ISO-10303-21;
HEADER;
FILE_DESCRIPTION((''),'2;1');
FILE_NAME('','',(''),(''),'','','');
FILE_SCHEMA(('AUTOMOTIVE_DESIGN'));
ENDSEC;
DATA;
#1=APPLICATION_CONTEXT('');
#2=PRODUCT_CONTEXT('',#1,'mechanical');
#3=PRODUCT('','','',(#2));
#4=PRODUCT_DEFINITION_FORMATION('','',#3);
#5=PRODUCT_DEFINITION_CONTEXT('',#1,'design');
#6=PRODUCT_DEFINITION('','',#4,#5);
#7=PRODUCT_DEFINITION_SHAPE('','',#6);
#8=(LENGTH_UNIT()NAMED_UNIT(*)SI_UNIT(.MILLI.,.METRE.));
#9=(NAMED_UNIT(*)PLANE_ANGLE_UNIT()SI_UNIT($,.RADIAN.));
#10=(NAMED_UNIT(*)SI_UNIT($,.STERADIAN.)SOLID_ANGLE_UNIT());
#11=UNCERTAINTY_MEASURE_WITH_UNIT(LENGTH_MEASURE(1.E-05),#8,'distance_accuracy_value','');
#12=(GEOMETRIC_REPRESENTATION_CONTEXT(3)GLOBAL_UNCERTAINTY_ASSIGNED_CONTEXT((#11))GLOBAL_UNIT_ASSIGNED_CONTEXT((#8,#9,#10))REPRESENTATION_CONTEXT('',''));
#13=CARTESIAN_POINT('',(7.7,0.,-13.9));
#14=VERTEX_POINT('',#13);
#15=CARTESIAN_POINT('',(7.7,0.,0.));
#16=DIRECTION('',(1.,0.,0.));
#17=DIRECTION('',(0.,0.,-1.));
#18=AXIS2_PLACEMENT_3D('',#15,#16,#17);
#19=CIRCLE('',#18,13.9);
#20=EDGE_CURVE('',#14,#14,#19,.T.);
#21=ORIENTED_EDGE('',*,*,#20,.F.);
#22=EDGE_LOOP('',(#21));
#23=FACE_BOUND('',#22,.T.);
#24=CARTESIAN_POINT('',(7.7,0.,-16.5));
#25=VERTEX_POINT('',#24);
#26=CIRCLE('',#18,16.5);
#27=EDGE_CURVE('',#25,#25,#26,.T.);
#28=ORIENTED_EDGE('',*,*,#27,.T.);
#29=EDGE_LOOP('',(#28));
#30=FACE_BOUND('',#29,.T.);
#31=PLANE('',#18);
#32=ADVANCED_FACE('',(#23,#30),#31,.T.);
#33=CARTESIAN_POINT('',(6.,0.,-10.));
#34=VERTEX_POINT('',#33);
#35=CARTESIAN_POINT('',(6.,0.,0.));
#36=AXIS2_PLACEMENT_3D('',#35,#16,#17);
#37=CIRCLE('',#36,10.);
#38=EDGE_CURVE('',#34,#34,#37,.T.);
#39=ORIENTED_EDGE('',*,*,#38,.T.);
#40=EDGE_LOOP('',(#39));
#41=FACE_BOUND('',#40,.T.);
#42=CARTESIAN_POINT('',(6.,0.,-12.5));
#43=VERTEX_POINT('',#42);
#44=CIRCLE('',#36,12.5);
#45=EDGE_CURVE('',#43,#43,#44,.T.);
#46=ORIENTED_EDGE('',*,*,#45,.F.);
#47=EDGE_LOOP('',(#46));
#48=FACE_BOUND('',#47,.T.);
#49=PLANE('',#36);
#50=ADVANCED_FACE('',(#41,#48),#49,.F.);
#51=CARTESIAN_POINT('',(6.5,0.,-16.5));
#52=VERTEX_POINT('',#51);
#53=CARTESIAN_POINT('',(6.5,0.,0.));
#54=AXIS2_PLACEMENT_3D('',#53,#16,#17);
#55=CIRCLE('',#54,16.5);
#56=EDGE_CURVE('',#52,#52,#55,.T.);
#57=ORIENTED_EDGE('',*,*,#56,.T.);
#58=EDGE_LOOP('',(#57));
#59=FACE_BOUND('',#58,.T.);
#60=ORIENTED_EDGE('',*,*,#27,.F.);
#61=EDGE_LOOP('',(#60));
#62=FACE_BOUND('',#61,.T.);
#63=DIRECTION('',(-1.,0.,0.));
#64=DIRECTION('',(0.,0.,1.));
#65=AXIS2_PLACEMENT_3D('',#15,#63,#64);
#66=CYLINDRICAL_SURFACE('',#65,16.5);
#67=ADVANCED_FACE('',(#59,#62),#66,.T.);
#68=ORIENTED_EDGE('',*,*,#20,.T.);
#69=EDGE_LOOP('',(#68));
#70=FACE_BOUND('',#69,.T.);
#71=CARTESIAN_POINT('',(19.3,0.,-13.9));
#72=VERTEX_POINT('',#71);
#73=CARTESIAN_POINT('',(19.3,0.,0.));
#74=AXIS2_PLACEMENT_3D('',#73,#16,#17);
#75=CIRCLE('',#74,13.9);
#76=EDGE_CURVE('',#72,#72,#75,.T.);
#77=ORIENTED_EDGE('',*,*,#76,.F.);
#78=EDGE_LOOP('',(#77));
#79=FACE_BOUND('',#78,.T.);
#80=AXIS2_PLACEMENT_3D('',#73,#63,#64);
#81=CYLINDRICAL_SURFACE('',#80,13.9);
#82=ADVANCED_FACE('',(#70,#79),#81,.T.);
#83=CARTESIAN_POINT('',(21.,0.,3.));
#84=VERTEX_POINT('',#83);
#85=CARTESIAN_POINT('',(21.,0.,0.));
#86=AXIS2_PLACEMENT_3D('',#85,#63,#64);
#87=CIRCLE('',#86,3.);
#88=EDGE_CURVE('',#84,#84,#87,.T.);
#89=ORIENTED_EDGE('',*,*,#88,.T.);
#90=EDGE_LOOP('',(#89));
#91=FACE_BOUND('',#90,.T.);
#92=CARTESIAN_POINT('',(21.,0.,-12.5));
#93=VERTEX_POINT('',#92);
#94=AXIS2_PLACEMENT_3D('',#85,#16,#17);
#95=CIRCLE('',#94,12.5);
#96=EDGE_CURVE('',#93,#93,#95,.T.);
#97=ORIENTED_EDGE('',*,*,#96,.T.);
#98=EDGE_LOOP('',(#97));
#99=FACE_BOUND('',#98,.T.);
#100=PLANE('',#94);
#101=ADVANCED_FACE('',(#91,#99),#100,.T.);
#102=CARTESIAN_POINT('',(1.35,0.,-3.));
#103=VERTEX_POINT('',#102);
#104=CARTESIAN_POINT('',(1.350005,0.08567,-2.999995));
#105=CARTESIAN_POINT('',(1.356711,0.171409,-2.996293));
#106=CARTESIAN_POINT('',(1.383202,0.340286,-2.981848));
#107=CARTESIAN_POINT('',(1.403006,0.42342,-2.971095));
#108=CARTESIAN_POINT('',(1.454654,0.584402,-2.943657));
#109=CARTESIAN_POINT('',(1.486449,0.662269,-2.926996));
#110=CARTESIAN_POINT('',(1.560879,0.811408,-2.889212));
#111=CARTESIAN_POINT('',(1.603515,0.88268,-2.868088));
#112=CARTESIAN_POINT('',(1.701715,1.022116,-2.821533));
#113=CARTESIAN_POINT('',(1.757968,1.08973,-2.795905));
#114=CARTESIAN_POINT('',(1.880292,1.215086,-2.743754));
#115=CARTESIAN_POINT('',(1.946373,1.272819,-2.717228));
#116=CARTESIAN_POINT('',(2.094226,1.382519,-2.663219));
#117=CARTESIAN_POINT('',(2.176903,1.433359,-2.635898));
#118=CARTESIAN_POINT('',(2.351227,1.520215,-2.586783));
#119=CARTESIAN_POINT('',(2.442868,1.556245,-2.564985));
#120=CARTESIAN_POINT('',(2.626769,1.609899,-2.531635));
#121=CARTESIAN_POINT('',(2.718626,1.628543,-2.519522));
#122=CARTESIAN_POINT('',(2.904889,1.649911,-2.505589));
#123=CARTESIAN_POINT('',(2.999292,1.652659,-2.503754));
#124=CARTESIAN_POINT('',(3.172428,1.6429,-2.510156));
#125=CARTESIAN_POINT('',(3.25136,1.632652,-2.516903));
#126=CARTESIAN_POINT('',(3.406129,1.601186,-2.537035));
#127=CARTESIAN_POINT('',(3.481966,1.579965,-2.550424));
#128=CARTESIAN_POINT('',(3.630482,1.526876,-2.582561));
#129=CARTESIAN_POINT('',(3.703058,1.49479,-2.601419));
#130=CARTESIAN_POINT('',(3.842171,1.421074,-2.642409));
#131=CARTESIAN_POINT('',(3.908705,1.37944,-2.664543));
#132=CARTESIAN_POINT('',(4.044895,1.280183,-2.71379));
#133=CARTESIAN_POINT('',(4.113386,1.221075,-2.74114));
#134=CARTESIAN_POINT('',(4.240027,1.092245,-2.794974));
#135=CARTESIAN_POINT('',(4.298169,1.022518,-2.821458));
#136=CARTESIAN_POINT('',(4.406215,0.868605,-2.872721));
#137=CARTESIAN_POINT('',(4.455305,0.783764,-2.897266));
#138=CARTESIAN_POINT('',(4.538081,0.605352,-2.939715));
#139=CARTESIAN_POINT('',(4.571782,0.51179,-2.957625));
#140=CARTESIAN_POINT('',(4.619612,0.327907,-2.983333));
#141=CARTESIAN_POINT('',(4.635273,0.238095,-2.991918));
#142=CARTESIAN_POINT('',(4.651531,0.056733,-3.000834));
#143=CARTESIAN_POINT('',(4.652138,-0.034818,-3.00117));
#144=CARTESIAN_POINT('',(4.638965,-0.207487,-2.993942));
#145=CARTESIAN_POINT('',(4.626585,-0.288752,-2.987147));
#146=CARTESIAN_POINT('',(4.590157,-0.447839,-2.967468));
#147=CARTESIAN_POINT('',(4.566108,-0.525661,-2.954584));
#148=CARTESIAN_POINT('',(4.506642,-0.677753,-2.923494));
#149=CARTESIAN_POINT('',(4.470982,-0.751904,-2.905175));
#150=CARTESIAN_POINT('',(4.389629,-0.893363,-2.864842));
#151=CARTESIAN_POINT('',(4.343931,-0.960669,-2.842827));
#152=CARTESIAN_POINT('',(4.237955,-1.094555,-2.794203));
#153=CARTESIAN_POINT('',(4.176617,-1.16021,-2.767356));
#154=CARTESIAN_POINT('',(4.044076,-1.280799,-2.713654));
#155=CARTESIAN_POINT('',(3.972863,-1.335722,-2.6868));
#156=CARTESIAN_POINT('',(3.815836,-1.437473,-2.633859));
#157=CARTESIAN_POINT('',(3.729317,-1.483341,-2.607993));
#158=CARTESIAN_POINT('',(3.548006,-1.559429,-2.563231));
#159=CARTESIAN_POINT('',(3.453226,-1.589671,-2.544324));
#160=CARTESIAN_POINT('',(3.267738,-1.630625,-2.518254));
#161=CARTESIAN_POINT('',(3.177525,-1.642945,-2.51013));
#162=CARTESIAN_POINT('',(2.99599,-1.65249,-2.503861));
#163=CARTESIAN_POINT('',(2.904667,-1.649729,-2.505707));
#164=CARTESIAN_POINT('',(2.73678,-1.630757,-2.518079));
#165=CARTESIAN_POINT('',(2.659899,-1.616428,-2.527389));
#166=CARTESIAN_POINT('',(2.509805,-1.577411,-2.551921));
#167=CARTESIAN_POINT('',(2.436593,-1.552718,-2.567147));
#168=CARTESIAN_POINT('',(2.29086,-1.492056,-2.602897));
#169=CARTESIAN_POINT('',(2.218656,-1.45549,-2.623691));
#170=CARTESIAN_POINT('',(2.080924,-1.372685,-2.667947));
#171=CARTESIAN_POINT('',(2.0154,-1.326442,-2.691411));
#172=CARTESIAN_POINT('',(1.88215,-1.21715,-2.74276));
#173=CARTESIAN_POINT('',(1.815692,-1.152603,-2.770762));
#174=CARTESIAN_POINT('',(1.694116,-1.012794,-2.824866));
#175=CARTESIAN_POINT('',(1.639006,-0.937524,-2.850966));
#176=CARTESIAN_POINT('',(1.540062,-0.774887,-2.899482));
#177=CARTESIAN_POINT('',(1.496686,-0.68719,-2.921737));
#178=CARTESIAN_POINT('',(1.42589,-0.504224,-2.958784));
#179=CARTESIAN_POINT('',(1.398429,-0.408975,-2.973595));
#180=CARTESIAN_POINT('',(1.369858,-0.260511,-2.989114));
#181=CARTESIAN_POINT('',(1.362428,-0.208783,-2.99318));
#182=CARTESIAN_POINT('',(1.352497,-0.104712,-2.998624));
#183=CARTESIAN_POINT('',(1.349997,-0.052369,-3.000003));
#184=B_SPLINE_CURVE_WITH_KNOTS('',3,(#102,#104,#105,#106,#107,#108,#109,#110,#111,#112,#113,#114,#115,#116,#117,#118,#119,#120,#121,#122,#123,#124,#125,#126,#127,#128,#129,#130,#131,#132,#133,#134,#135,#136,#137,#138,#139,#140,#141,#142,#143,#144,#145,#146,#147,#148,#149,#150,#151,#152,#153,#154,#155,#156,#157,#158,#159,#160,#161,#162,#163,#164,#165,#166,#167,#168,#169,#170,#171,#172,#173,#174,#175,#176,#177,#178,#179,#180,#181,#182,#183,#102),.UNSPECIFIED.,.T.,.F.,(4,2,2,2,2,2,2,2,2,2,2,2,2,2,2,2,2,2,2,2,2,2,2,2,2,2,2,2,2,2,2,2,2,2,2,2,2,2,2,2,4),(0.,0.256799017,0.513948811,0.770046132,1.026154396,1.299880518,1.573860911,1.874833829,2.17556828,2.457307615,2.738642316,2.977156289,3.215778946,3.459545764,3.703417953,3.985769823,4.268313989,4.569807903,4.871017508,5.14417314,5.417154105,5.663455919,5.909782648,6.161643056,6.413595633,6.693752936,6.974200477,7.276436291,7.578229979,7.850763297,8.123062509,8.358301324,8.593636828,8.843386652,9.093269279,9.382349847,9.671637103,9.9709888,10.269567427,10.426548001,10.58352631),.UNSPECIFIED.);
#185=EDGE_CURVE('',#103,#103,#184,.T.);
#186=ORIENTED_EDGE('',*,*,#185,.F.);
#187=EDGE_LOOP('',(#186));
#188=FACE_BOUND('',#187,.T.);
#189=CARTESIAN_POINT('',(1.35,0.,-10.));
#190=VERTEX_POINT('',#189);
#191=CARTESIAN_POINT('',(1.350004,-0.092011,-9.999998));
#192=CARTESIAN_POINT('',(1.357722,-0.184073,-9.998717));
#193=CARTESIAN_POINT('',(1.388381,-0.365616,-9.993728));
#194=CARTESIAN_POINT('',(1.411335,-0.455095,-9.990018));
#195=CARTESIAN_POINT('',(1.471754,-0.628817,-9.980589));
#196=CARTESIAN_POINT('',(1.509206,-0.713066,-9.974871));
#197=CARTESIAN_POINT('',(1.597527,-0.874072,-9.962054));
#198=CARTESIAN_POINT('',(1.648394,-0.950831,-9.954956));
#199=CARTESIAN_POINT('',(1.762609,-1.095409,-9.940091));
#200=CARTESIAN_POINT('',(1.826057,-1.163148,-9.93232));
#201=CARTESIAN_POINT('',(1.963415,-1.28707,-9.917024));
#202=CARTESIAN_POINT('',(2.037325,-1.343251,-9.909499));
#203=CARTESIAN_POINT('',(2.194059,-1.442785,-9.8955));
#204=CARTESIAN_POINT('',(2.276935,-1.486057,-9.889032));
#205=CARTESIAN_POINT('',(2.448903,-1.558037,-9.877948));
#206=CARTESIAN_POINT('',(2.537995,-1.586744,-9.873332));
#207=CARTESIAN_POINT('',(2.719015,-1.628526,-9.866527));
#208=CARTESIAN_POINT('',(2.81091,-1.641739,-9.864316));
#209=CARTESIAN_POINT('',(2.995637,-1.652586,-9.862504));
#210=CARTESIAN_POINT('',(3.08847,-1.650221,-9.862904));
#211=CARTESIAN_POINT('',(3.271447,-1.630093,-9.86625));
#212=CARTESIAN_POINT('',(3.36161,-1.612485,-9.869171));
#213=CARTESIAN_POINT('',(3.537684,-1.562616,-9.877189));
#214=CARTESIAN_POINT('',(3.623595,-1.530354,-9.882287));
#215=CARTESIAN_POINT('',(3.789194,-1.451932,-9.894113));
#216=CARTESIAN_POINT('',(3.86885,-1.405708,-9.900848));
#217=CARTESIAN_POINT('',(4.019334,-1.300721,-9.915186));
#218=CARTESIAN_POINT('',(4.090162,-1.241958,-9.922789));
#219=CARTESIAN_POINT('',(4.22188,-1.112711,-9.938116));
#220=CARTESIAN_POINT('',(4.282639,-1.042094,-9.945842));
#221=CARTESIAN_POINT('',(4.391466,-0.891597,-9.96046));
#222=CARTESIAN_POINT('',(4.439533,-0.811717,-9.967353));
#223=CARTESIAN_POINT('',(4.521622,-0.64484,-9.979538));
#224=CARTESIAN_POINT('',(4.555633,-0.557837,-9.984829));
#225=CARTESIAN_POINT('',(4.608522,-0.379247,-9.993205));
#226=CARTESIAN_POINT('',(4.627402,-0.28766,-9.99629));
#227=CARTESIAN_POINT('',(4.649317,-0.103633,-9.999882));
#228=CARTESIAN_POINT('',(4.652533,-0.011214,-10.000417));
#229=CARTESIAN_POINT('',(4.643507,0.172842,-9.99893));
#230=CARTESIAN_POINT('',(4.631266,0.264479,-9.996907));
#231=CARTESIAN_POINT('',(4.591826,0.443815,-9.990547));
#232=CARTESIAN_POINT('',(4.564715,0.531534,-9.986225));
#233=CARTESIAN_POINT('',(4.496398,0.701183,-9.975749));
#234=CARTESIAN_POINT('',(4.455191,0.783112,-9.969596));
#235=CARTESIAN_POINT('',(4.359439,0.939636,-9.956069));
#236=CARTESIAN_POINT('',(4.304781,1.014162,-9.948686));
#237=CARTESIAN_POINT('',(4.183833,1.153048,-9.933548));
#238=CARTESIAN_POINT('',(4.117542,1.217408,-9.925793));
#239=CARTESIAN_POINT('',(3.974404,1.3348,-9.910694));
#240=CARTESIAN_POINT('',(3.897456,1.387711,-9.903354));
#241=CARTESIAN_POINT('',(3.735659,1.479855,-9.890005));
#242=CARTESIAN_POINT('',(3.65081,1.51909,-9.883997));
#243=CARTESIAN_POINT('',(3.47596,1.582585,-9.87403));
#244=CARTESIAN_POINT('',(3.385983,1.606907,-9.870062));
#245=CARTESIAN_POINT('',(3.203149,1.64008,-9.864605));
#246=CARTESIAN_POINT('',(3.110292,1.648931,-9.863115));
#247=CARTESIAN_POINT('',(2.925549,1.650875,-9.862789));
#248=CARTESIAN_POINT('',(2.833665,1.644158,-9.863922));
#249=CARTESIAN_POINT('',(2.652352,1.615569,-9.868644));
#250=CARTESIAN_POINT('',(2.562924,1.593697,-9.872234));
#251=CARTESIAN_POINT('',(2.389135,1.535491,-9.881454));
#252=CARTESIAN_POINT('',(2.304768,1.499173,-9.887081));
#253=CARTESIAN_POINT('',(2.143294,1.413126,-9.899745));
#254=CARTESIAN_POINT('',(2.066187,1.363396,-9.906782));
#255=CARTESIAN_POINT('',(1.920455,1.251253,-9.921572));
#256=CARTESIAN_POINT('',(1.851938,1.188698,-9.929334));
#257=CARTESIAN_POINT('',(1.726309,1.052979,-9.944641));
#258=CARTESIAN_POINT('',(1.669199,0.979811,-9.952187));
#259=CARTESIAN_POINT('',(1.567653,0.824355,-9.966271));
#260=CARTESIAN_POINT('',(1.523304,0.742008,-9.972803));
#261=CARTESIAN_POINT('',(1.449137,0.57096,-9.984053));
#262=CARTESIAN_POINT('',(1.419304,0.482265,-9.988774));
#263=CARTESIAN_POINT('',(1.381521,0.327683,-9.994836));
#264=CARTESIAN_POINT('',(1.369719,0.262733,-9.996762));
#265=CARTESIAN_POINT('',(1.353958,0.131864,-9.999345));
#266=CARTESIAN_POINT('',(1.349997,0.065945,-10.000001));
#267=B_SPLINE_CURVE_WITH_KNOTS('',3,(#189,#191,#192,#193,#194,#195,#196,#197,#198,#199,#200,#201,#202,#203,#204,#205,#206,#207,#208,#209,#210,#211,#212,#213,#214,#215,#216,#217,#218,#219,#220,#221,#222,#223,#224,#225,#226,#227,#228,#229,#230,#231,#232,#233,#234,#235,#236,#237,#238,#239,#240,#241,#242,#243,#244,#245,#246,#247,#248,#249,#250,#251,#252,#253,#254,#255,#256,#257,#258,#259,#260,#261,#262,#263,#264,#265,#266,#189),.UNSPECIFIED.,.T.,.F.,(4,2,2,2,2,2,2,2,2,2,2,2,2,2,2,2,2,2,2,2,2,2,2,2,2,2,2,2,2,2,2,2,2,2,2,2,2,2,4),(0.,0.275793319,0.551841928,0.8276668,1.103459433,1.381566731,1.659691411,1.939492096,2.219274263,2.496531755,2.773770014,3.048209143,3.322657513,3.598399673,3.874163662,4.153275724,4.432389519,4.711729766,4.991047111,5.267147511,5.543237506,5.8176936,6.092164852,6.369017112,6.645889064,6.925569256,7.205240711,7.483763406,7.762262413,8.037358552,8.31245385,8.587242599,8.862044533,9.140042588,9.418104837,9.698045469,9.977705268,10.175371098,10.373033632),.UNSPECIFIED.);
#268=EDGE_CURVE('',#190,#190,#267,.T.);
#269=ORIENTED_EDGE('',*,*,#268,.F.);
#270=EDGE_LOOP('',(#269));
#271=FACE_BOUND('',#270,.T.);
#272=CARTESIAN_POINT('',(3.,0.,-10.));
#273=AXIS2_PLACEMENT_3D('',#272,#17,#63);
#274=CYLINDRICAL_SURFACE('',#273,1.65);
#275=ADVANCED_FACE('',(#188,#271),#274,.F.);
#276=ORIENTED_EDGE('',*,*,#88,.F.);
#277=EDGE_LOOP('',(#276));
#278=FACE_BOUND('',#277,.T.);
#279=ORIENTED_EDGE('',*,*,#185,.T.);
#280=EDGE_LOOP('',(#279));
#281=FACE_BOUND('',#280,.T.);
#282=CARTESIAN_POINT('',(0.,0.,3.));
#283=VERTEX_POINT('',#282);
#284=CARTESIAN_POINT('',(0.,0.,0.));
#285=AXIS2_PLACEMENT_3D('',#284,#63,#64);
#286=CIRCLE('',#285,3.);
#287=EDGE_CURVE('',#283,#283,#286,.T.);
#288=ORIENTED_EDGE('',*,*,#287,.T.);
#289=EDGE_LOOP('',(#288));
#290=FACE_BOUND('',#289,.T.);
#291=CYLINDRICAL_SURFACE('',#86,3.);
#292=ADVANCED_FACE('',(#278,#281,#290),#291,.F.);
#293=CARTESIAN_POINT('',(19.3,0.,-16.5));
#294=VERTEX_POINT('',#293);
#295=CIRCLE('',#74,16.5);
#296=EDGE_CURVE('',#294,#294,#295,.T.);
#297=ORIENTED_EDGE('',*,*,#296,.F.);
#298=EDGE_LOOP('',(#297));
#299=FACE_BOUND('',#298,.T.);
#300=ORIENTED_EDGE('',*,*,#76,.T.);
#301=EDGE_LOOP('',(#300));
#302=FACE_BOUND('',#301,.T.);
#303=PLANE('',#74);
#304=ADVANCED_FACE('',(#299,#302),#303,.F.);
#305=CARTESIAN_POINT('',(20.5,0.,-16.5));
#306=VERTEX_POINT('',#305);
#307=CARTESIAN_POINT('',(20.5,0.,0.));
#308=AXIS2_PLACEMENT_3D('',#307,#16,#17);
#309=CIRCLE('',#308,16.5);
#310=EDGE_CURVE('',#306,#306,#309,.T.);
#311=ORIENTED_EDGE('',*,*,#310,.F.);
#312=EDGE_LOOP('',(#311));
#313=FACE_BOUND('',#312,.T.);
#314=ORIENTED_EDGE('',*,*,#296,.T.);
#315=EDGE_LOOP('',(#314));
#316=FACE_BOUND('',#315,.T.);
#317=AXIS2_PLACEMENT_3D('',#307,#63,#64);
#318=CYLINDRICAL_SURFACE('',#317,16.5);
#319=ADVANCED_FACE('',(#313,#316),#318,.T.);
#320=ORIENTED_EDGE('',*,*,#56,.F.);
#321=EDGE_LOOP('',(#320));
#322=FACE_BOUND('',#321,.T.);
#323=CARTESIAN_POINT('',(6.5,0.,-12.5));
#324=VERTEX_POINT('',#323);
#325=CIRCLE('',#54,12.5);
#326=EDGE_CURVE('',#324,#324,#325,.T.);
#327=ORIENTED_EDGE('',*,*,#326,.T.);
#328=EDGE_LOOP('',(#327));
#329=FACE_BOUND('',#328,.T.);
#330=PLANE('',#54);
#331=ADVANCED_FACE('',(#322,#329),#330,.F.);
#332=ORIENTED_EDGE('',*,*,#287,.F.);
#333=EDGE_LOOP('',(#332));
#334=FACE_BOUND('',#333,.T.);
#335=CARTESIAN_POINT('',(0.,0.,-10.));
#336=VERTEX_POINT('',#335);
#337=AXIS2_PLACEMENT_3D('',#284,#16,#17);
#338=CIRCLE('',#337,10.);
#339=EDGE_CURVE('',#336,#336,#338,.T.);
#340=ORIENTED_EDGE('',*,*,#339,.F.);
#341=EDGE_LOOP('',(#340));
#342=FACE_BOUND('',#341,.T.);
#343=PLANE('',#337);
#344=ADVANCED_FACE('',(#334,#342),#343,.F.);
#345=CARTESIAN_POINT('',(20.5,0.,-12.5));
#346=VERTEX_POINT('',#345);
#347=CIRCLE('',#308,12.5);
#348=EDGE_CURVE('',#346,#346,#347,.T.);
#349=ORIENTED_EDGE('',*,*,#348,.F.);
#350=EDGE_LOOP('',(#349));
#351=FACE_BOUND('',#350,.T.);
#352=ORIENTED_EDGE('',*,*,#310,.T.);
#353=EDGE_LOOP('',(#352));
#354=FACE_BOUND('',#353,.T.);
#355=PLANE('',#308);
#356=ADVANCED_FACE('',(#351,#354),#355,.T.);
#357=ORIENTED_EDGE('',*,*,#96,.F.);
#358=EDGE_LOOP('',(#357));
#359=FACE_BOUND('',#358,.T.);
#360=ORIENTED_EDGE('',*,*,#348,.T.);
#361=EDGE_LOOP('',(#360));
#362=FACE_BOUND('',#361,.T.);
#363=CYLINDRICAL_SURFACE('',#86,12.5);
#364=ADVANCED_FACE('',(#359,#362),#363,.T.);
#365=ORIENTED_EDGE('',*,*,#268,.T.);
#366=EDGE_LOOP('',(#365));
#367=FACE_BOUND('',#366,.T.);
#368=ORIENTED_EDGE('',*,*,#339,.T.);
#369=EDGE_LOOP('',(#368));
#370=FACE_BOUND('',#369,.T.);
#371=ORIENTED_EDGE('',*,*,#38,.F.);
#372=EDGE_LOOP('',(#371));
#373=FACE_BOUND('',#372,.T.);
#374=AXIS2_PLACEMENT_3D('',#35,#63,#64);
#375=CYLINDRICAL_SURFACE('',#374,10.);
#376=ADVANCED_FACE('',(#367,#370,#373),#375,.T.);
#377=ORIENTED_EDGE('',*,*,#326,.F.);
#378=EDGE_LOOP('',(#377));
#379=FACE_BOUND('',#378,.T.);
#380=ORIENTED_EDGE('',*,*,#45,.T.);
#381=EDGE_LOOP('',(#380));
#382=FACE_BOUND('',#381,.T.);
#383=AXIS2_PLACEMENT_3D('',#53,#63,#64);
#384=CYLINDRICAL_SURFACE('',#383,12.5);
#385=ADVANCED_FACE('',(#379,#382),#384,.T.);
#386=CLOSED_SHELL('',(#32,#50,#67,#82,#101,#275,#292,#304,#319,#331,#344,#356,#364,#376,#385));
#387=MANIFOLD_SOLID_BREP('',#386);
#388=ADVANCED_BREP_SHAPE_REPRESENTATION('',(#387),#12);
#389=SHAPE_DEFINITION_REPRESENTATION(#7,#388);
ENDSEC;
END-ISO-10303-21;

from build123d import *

# Parameters (mm, degrees)
CROQUIS1_R                = 10
SALIENTE_EXTRUIR1_DEPTH   = 6
CROQUIS2_R                = 12.5
SALIENTE_EXTRUIR2_DEPTH   = 0.5
CROQUIS3_R                = 16.5
SALIENTE_EXTRUIR3_DEPTH   = 1.2
CROQUIS4_R                = 13.9
SALIENTE_EXTRUIR4_DEPTH   = 11.6
CROQUIS5_R                = 16.5
SALIENTE_EXTRUIR5_DEPTH   = 1.2
CROQUIS6_R                = 12.5
SALIENTE_EXTRUIR6_DEPTH   = 0.5
CROQUIS7_R                = 3
CORTAR_EXTRUIR1_DEPTH     = 32.392674305
TALADRO_ROSCADO_M41_D     = 3.3
TALADRO_ROSCADO_M41_DEPTH = 11.5
TALADRO_ROSCADO_M41_TIP   = 0.991420021


with BuildPart() as part:
    # Croquis1 → Saliente-Extruir1 (new body)
    with BuildSketch(Plane(origin=(0, 0, 0), x_dir=(0, 0, -1), z_dir=(1, 0, 0))):
        Circle(CROQUIS1_R)
    extrude(amount=SALIENTE_EXTRUIR1_DEPTH)

    # Croquis2 → Saliente-Extruir2 (add)
    with BuildSketch(Plane(origin=(6, 0, 0), x_dir=(0, 0, -1), z_dir=(1, 0, 0))):
        Circle(CROQUIS2_R)
    extrude(amount=SALIENTE_EXTRUIR2_DEPTH)

    # Croquis3 → Saliente-Extruir3 (add)
    with BuildSketch(Plane(origin=(6.5, 0, 0), x_dir=(0, 0, -1), z_dir=(1, 0, 0))):
        Circle(CROQUIS3_R)
    extrude(amount=SALIENTE_EXTRUIR3_DEPTH)

    # Croquis4 → Saliente-Extruir4 (add)
    with BuildSketch(Plane(origin=(7.7, 0, 0), x_dir=(0, 0, -1), z_dir=(1, 0, 0))):
        Circle(CROQUIS4_R)
    extrude(amount=SALIENTE_EXTRUIR4_DEPTH)

    # Croquis5 → Saliente-Extruir5 (add)
    with BuildSketch(Plane(origin=(19.3, 0, 0), x_dir=(0, 0, -1), z_dir=(1, 0, 0))):
        Circle(CROQUIS5_R)
    extrude(amount=SALIENTE_EXTRUIR5_DEPTH)

    # Croquis6 → Saliente-Extruir6 (add)
    with BuildSketch(Plane(origin=(20.5, 0, 0), x_dir=(0, 0, -1), z_dir=(1, 0, 0))):
        Circle(CROQUIS6_R)
    extrude(amount=SALIENTE_EXTRUIR6_DEPTH)

    # Croquis7 → Cortar-Extruir1 (cut, through all)
    with BuildSketch(Plane.ZY):
        Circle(CROQUIS7_R)
    extrude(amount=-CORTAR_EXTRUIR1_DEPTH, mode=Mode.SUBTRACT)

    # Taladro roscado M41
    with Locations(Plane(origin=(0, 0, -10), x_dir=(-1, 0, 0), z_dir=(0, 0, -1))):
        with Locations((-3, 0)):
            Hole(TALADRO_ROSCADO_M41_D / 2, depth=TALADRO_ROSCADO_M41_DEPTH)
            with Locations((0, 0, -(TALADRO_ROSCADO_M41_DEPTH + TALADRO_ROSCADO_M41_TIP / 2))):  # 118° drill point
                Cone(0, TALADRO_ROSCADO_M41_D / 2, TALADRO_ROSCADO_M41_TIP, mode=Mode.SUBTRACT)


solid = part.part
